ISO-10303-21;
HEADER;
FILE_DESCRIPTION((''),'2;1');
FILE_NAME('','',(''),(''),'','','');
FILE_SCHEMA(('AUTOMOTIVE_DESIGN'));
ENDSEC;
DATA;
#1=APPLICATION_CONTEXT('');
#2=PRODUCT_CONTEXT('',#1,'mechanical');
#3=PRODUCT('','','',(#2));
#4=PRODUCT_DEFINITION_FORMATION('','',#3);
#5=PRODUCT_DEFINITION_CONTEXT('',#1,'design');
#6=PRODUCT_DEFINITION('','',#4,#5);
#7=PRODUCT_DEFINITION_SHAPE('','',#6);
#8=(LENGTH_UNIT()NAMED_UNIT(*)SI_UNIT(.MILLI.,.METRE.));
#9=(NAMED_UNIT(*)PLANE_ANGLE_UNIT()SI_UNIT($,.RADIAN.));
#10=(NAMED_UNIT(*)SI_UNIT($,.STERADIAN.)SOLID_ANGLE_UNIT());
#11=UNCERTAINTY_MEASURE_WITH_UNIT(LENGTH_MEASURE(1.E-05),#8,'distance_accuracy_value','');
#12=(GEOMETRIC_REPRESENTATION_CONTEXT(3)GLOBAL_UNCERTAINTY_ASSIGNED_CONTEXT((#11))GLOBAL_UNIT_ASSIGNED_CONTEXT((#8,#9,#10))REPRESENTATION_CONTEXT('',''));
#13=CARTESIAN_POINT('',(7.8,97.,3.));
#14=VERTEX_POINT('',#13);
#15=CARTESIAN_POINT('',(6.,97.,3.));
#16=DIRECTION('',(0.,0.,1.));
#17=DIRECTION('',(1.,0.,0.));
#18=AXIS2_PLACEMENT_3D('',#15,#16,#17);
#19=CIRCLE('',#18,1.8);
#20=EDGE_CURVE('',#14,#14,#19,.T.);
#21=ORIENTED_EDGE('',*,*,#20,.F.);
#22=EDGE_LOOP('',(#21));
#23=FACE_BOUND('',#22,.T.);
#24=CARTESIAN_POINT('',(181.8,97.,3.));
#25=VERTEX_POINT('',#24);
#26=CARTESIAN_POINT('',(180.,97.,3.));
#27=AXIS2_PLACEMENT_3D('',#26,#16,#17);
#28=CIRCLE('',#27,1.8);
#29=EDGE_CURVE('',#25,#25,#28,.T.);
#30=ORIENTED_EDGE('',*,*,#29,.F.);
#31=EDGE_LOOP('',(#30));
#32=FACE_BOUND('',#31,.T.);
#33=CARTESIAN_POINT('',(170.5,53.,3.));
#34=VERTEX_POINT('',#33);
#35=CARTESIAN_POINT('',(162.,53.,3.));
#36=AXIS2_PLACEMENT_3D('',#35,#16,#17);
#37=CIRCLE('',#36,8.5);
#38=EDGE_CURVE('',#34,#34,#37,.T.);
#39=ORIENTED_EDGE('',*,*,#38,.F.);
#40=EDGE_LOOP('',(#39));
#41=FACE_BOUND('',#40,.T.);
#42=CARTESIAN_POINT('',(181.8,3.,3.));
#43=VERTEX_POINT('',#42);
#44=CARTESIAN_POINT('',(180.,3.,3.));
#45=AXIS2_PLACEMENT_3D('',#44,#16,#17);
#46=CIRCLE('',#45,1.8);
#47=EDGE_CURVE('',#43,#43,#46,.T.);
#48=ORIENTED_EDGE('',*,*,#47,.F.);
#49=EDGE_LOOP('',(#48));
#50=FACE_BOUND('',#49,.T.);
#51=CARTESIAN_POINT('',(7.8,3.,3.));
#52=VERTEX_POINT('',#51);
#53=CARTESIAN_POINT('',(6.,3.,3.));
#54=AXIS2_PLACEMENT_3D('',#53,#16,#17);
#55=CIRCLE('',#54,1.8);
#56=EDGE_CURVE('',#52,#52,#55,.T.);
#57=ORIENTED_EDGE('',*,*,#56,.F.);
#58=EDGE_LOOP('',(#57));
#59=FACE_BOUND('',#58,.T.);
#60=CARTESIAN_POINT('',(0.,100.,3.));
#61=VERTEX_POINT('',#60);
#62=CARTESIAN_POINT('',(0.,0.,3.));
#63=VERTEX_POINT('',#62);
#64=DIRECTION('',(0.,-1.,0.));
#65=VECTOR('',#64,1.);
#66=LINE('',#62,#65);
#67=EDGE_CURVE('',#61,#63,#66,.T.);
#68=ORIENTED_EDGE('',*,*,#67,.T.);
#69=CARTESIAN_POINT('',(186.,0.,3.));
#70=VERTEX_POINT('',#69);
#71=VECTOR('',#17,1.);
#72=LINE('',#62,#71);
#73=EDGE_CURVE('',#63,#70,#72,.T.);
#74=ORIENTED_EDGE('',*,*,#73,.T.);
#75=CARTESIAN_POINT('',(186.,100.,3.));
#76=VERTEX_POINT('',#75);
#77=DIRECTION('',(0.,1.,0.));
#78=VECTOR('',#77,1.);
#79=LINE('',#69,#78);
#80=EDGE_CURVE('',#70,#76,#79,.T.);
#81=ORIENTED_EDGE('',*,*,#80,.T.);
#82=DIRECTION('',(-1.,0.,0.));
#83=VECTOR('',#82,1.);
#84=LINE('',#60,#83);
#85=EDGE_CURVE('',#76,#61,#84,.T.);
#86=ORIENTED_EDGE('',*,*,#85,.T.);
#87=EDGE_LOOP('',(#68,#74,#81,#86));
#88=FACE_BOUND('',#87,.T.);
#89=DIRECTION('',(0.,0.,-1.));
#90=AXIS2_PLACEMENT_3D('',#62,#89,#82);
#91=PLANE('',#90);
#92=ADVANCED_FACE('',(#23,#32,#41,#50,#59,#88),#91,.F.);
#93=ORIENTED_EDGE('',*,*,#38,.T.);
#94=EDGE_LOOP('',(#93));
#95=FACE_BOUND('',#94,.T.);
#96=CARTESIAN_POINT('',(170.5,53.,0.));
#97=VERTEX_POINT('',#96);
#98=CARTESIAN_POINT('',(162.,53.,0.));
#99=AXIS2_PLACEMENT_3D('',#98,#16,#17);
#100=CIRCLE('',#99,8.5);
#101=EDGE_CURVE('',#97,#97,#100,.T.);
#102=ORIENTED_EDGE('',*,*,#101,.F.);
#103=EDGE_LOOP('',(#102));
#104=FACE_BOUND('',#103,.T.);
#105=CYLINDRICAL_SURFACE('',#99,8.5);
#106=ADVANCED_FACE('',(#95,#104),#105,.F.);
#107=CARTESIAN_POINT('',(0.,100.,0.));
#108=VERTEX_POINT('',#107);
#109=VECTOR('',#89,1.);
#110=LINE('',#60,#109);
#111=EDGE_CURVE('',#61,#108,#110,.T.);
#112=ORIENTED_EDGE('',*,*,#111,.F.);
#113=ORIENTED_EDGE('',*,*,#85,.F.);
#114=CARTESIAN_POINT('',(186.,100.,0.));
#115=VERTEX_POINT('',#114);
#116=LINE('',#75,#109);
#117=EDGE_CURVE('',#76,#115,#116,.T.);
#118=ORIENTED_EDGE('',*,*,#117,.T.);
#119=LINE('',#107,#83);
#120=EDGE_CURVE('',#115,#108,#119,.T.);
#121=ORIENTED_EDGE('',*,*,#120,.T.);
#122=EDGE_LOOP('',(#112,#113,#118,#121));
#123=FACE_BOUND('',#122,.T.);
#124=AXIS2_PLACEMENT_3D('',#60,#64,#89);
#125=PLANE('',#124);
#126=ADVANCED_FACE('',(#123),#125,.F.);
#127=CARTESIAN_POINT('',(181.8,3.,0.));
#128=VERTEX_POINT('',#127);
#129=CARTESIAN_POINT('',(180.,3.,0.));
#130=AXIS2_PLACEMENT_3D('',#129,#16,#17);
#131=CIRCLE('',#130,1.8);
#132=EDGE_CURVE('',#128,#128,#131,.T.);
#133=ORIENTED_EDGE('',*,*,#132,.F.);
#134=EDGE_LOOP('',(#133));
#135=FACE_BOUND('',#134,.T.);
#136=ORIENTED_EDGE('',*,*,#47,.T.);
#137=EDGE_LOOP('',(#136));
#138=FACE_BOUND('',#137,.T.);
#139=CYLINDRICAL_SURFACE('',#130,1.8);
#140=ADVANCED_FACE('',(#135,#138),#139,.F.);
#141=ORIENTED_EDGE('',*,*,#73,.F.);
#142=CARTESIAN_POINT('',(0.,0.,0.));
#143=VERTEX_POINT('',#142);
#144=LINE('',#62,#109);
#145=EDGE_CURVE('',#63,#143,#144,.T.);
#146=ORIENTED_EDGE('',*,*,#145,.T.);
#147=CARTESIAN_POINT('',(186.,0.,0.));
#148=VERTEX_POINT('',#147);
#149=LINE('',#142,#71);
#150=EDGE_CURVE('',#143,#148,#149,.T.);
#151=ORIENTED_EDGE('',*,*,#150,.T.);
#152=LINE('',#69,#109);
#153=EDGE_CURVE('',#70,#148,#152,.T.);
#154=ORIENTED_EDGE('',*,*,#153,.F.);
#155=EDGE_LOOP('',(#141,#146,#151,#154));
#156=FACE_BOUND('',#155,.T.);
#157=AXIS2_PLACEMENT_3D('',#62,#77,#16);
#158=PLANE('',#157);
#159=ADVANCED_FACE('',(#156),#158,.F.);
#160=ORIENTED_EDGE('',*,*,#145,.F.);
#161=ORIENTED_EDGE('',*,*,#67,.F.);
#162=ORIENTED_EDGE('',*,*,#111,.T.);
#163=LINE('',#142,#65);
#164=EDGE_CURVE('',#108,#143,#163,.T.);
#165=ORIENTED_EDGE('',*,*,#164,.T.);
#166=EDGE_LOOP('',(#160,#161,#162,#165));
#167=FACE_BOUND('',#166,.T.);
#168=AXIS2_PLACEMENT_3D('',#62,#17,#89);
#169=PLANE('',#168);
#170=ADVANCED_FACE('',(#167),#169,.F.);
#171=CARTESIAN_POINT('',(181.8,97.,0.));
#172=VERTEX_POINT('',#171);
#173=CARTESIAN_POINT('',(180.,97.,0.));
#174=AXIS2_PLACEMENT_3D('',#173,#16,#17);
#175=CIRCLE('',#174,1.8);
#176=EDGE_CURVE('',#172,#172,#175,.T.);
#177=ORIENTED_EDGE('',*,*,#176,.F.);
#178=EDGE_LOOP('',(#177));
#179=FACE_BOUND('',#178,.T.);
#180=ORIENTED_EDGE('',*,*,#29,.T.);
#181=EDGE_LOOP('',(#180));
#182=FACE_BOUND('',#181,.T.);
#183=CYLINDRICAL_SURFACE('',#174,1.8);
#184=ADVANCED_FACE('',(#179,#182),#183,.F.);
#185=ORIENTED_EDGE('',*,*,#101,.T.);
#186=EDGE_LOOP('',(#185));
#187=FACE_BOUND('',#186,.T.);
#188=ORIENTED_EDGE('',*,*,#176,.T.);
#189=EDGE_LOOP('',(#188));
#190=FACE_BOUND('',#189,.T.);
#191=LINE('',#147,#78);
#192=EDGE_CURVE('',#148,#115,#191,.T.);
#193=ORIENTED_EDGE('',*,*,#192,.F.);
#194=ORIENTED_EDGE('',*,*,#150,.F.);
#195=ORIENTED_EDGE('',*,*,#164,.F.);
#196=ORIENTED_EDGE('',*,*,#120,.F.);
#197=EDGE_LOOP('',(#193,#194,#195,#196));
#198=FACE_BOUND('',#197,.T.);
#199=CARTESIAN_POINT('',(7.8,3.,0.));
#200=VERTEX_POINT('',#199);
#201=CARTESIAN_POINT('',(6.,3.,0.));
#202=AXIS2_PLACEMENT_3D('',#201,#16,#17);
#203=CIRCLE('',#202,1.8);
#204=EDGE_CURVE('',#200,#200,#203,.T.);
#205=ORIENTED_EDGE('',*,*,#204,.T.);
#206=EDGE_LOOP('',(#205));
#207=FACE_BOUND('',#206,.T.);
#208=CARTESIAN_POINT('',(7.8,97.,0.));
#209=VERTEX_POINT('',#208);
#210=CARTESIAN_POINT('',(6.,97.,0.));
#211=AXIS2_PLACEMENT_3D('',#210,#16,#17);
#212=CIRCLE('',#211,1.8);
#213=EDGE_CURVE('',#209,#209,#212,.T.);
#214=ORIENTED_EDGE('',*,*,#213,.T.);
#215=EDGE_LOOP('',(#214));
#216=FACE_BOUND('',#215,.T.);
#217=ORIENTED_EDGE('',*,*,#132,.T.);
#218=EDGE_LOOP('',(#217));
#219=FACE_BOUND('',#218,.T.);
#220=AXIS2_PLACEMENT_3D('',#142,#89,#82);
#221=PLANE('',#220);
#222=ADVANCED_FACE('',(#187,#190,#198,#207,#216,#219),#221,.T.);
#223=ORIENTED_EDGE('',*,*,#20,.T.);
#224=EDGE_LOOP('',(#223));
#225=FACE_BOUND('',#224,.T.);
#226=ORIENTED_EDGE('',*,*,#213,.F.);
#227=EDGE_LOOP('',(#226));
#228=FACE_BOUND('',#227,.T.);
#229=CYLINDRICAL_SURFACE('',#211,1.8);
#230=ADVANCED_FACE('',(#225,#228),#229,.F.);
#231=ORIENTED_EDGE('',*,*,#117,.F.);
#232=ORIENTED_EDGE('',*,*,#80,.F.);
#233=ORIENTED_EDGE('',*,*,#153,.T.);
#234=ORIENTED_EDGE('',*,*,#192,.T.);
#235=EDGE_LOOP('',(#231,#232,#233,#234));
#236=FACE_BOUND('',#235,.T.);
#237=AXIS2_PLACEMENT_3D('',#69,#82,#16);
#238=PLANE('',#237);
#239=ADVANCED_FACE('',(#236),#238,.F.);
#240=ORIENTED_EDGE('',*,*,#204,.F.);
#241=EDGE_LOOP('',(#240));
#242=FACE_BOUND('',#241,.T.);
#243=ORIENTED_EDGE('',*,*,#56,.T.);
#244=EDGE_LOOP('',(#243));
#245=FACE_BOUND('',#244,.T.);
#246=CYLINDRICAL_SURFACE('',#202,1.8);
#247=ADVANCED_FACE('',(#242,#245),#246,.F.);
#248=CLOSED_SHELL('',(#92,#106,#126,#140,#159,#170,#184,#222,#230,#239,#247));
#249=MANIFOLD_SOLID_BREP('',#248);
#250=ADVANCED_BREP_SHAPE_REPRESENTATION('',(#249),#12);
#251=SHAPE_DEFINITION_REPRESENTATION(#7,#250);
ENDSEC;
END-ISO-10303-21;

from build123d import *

# Parameters (mm, degrees)
SKETCH1_W           = 186
SKETCH1_H           = 100
BOSS_EXTRUDE1_DEPTH = 3
SKETCH2_R           = 8.5
SKETCH2_R_2         = 1.8
CUT_EXTRUDE1_DEPTH  = 4


with BuildPart() as part:
    # Sketch1 → Boss-Extrude1 (new body)
    with BuildSketch(Plane.XY):
        with Locations((93, 50)):
            Rectangle(SKETCH1_W, SKETCH1_H)
    extrude(amount=BOSS_EXTRUDE1_DEPTH)

    # Sketch2 → Cut-Extrude1 (cut, through all)
    with BuildSketch(Plane.XY.offset(3)):
        with Locations((162, 53)):
            Circle(SKETCH2_R)
        with Locations((180, 3)):
            Circle(SKETCH2_R_2)
        with Locations((180, 97)):
            Circle(SKETCH2_R_2)
        with Locations((6, 3)):
            Circle(SKETCH2_R_2)
        with Locations((6, 97)):
            Circle(SKETCH2_R_2)
    extrude(amount=-CUT_EXTRUDE1_DEPTH, mode=Mode.SUBTRACT)


solid = part.part
